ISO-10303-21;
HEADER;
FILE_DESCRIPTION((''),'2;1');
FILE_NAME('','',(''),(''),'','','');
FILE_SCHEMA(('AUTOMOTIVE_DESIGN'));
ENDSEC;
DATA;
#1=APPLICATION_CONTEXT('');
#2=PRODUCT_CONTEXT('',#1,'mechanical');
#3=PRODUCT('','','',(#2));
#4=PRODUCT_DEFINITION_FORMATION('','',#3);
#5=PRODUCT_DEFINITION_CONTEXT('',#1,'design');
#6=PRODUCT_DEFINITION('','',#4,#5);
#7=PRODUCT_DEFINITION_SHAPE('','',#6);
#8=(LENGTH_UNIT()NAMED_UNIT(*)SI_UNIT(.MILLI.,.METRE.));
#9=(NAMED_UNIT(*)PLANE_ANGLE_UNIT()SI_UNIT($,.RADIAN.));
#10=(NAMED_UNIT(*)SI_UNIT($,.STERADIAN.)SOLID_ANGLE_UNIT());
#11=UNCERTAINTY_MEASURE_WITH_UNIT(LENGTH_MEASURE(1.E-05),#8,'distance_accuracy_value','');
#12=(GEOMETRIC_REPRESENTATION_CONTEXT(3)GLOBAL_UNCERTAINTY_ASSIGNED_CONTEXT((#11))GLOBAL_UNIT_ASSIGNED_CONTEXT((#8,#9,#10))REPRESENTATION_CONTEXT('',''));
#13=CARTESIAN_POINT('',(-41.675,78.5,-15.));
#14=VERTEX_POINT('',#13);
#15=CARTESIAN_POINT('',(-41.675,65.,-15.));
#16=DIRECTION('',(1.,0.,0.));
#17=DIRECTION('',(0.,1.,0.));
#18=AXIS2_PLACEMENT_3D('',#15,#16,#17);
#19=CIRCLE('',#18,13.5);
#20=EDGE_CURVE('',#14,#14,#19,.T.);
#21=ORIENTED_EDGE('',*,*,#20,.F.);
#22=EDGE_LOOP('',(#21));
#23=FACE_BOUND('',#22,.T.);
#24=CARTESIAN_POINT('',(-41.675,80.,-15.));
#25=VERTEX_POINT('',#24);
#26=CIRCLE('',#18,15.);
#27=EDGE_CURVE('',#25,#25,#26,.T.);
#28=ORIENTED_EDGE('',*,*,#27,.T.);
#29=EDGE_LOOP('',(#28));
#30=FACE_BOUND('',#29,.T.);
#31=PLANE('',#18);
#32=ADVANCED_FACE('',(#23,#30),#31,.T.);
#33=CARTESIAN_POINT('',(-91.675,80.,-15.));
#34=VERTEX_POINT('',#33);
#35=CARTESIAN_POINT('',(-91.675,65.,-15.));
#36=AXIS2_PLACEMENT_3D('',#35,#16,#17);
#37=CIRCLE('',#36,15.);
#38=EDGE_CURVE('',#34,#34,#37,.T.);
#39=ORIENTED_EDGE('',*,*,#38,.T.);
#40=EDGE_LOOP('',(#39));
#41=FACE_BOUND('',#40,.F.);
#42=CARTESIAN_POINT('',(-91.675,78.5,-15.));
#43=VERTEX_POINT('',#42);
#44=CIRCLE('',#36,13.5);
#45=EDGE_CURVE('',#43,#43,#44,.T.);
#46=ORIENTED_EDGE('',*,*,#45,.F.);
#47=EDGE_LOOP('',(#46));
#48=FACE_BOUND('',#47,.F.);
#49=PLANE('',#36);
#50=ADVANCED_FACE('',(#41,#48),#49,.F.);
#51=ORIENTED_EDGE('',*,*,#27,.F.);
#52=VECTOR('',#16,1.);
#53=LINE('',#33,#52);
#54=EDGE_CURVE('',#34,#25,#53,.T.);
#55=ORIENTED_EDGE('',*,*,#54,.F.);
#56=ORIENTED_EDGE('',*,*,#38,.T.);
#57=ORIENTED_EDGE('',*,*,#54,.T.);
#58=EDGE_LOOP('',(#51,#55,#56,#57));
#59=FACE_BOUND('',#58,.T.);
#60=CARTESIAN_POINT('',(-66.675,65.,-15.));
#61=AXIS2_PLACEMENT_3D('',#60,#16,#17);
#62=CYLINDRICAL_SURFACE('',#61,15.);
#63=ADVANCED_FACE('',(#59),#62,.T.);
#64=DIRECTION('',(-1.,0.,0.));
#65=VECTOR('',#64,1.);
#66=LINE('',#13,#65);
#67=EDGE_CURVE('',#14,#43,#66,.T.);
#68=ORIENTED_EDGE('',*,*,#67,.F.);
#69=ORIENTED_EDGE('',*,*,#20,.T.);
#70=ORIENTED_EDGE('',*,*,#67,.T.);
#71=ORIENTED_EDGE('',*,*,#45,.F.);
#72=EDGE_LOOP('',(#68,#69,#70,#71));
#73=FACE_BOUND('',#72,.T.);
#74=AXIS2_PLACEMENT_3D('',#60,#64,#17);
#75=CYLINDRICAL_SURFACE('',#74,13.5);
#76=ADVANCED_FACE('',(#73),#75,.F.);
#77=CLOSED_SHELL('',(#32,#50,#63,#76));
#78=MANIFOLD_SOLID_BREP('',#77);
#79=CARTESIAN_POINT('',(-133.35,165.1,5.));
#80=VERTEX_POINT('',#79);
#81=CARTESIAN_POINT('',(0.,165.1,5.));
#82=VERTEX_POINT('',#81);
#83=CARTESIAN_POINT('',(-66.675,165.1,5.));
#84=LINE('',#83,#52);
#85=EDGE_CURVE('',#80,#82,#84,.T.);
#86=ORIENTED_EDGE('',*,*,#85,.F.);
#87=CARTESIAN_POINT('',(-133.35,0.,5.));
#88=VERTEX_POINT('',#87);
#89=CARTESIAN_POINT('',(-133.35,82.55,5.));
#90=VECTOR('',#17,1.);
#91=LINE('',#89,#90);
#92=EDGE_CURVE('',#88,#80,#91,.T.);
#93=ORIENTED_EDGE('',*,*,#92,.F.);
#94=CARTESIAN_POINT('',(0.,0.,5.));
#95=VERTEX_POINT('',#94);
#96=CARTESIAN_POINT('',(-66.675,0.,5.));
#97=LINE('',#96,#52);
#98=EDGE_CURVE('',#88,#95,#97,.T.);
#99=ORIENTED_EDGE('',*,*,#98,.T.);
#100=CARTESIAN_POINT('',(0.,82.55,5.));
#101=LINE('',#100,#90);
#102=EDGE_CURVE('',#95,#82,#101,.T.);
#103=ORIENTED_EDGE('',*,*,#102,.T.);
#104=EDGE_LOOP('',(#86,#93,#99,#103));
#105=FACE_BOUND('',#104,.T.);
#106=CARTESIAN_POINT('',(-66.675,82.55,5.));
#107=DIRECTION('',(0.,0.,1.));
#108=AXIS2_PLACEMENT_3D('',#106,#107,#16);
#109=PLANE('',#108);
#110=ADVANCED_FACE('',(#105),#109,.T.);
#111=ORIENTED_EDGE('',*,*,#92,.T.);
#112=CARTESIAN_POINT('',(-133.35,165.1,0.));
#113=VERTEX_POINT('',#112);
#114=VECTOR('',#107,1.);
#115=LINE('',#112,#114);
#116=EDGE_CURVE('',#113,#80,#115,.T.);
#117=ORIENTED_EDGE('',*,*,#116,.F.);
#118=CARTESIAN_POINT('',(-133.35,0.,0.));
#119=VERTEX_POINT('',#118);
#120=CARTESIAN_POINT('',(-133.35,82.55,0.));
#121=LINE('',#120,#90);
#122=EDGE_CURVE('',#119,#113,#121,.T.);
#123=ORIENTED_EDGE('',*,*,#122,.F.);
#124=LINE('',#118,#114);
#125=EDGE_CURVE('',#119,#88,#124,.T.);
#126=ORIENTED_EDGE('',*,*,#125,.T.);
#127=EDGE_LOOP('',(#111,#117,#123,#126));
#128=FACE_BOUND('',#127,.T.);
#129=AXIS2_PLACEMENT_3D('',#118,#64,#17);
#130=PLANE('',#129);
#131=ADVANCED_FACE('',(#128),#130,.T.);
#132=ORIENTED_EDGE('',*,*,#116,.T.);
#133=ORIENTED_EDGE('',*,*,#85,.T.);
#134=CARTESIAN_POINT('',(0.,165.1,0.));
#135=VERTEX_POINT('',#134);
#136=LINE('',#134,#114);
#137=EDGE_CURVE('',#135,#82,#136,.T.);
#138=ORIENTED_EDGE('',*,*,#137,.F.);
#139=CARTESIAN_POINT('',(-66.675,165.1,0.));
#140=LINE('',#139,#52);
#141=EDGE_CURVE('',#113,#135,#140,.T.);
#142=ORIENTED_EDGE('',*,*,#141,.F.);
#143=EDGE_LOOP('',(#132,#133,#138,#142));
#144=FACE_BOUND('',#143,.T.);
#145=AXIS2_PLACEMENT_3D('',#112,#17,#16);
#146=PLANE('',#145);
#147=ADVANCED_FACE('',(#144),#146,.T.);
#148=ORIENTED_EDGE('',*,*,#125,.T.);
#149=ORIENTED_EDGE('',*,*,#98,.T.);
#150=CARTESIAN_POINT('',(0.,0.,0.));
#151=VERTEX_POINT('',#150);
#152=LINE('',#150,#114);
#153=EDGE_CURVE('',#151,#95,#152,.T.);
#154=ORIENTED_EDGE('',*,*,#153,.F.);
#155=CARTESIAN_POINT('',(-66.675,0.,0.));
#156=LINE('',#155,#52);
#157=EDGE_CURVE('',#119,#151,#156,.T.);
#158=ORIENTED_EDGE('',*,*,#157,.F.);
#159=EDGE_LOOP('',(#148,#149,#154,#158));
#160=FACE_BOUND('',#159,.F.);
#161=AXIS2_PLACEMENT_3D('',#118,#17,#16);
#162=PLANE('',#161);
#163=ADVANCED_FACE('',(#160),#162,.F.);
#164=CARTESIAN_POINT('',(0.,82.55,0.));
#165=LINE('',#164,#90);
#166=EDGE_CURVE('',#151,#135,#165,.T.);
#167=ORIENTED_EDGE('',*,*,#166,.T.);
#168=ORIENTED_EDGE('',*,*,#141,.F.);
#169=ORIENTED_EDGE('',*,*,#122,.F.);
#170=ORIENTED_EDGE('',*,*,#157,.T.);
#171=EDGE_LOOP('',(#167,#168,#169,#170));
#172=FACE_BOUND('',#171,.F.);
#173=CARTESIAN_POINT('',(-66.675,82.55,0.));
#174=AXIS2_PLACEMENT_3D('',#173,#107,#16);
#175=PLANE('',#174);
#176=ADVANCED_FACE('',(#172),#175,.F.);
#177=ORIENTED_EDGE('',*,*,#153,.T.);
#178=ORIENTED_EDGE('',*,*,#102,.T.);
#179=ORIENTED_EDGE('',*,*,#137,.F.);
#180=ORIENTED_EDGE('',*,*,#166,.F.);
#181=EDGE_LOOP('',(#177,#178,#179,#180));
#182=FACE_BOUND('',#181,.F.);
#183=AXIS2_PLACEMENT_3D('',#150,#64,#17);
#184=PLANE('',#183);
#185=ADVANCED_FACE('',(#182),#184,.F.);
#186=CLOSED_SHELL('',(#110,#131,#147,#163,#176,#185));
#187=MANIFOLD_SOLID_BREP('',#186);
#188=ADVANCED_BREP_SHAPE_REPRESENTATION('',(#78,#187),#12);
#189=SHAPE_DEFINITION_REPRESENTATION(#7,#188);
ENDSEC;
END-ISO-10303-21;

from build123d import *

# Parameters (mm, degrees)
F0_W     = 133.35
F0_H     = 165.1
F1_DEPTH = 5
F3_R     = 15
F3_R_2   = 13.5
F4_DEPTH = 25


with BuildPart() as f1:
    # F0 (on Top) → F1 (new body)
    with BuildSketch(Plane.XY):
        with Locations((-66.675, 82.55)):
            Rectangle(F0_W, F0_H)
    extrude(amount=F1_DEPTH)


with BuildPart() as f4:
    # F3 (on mid) → F4 (new body, symmetric)
    with BuildSketch(Plane.YZ.offset(-66.675)):
        with Locations((65, -15)):
            Circle(F3_R)
        with Locations((65, -15)):
            Circle(F3_R_2, mode=Mode.SUBTRACT)
    extrude(amount=F4_DEPTH, both=True)


solid = Compound([f1.part, f4.part])
